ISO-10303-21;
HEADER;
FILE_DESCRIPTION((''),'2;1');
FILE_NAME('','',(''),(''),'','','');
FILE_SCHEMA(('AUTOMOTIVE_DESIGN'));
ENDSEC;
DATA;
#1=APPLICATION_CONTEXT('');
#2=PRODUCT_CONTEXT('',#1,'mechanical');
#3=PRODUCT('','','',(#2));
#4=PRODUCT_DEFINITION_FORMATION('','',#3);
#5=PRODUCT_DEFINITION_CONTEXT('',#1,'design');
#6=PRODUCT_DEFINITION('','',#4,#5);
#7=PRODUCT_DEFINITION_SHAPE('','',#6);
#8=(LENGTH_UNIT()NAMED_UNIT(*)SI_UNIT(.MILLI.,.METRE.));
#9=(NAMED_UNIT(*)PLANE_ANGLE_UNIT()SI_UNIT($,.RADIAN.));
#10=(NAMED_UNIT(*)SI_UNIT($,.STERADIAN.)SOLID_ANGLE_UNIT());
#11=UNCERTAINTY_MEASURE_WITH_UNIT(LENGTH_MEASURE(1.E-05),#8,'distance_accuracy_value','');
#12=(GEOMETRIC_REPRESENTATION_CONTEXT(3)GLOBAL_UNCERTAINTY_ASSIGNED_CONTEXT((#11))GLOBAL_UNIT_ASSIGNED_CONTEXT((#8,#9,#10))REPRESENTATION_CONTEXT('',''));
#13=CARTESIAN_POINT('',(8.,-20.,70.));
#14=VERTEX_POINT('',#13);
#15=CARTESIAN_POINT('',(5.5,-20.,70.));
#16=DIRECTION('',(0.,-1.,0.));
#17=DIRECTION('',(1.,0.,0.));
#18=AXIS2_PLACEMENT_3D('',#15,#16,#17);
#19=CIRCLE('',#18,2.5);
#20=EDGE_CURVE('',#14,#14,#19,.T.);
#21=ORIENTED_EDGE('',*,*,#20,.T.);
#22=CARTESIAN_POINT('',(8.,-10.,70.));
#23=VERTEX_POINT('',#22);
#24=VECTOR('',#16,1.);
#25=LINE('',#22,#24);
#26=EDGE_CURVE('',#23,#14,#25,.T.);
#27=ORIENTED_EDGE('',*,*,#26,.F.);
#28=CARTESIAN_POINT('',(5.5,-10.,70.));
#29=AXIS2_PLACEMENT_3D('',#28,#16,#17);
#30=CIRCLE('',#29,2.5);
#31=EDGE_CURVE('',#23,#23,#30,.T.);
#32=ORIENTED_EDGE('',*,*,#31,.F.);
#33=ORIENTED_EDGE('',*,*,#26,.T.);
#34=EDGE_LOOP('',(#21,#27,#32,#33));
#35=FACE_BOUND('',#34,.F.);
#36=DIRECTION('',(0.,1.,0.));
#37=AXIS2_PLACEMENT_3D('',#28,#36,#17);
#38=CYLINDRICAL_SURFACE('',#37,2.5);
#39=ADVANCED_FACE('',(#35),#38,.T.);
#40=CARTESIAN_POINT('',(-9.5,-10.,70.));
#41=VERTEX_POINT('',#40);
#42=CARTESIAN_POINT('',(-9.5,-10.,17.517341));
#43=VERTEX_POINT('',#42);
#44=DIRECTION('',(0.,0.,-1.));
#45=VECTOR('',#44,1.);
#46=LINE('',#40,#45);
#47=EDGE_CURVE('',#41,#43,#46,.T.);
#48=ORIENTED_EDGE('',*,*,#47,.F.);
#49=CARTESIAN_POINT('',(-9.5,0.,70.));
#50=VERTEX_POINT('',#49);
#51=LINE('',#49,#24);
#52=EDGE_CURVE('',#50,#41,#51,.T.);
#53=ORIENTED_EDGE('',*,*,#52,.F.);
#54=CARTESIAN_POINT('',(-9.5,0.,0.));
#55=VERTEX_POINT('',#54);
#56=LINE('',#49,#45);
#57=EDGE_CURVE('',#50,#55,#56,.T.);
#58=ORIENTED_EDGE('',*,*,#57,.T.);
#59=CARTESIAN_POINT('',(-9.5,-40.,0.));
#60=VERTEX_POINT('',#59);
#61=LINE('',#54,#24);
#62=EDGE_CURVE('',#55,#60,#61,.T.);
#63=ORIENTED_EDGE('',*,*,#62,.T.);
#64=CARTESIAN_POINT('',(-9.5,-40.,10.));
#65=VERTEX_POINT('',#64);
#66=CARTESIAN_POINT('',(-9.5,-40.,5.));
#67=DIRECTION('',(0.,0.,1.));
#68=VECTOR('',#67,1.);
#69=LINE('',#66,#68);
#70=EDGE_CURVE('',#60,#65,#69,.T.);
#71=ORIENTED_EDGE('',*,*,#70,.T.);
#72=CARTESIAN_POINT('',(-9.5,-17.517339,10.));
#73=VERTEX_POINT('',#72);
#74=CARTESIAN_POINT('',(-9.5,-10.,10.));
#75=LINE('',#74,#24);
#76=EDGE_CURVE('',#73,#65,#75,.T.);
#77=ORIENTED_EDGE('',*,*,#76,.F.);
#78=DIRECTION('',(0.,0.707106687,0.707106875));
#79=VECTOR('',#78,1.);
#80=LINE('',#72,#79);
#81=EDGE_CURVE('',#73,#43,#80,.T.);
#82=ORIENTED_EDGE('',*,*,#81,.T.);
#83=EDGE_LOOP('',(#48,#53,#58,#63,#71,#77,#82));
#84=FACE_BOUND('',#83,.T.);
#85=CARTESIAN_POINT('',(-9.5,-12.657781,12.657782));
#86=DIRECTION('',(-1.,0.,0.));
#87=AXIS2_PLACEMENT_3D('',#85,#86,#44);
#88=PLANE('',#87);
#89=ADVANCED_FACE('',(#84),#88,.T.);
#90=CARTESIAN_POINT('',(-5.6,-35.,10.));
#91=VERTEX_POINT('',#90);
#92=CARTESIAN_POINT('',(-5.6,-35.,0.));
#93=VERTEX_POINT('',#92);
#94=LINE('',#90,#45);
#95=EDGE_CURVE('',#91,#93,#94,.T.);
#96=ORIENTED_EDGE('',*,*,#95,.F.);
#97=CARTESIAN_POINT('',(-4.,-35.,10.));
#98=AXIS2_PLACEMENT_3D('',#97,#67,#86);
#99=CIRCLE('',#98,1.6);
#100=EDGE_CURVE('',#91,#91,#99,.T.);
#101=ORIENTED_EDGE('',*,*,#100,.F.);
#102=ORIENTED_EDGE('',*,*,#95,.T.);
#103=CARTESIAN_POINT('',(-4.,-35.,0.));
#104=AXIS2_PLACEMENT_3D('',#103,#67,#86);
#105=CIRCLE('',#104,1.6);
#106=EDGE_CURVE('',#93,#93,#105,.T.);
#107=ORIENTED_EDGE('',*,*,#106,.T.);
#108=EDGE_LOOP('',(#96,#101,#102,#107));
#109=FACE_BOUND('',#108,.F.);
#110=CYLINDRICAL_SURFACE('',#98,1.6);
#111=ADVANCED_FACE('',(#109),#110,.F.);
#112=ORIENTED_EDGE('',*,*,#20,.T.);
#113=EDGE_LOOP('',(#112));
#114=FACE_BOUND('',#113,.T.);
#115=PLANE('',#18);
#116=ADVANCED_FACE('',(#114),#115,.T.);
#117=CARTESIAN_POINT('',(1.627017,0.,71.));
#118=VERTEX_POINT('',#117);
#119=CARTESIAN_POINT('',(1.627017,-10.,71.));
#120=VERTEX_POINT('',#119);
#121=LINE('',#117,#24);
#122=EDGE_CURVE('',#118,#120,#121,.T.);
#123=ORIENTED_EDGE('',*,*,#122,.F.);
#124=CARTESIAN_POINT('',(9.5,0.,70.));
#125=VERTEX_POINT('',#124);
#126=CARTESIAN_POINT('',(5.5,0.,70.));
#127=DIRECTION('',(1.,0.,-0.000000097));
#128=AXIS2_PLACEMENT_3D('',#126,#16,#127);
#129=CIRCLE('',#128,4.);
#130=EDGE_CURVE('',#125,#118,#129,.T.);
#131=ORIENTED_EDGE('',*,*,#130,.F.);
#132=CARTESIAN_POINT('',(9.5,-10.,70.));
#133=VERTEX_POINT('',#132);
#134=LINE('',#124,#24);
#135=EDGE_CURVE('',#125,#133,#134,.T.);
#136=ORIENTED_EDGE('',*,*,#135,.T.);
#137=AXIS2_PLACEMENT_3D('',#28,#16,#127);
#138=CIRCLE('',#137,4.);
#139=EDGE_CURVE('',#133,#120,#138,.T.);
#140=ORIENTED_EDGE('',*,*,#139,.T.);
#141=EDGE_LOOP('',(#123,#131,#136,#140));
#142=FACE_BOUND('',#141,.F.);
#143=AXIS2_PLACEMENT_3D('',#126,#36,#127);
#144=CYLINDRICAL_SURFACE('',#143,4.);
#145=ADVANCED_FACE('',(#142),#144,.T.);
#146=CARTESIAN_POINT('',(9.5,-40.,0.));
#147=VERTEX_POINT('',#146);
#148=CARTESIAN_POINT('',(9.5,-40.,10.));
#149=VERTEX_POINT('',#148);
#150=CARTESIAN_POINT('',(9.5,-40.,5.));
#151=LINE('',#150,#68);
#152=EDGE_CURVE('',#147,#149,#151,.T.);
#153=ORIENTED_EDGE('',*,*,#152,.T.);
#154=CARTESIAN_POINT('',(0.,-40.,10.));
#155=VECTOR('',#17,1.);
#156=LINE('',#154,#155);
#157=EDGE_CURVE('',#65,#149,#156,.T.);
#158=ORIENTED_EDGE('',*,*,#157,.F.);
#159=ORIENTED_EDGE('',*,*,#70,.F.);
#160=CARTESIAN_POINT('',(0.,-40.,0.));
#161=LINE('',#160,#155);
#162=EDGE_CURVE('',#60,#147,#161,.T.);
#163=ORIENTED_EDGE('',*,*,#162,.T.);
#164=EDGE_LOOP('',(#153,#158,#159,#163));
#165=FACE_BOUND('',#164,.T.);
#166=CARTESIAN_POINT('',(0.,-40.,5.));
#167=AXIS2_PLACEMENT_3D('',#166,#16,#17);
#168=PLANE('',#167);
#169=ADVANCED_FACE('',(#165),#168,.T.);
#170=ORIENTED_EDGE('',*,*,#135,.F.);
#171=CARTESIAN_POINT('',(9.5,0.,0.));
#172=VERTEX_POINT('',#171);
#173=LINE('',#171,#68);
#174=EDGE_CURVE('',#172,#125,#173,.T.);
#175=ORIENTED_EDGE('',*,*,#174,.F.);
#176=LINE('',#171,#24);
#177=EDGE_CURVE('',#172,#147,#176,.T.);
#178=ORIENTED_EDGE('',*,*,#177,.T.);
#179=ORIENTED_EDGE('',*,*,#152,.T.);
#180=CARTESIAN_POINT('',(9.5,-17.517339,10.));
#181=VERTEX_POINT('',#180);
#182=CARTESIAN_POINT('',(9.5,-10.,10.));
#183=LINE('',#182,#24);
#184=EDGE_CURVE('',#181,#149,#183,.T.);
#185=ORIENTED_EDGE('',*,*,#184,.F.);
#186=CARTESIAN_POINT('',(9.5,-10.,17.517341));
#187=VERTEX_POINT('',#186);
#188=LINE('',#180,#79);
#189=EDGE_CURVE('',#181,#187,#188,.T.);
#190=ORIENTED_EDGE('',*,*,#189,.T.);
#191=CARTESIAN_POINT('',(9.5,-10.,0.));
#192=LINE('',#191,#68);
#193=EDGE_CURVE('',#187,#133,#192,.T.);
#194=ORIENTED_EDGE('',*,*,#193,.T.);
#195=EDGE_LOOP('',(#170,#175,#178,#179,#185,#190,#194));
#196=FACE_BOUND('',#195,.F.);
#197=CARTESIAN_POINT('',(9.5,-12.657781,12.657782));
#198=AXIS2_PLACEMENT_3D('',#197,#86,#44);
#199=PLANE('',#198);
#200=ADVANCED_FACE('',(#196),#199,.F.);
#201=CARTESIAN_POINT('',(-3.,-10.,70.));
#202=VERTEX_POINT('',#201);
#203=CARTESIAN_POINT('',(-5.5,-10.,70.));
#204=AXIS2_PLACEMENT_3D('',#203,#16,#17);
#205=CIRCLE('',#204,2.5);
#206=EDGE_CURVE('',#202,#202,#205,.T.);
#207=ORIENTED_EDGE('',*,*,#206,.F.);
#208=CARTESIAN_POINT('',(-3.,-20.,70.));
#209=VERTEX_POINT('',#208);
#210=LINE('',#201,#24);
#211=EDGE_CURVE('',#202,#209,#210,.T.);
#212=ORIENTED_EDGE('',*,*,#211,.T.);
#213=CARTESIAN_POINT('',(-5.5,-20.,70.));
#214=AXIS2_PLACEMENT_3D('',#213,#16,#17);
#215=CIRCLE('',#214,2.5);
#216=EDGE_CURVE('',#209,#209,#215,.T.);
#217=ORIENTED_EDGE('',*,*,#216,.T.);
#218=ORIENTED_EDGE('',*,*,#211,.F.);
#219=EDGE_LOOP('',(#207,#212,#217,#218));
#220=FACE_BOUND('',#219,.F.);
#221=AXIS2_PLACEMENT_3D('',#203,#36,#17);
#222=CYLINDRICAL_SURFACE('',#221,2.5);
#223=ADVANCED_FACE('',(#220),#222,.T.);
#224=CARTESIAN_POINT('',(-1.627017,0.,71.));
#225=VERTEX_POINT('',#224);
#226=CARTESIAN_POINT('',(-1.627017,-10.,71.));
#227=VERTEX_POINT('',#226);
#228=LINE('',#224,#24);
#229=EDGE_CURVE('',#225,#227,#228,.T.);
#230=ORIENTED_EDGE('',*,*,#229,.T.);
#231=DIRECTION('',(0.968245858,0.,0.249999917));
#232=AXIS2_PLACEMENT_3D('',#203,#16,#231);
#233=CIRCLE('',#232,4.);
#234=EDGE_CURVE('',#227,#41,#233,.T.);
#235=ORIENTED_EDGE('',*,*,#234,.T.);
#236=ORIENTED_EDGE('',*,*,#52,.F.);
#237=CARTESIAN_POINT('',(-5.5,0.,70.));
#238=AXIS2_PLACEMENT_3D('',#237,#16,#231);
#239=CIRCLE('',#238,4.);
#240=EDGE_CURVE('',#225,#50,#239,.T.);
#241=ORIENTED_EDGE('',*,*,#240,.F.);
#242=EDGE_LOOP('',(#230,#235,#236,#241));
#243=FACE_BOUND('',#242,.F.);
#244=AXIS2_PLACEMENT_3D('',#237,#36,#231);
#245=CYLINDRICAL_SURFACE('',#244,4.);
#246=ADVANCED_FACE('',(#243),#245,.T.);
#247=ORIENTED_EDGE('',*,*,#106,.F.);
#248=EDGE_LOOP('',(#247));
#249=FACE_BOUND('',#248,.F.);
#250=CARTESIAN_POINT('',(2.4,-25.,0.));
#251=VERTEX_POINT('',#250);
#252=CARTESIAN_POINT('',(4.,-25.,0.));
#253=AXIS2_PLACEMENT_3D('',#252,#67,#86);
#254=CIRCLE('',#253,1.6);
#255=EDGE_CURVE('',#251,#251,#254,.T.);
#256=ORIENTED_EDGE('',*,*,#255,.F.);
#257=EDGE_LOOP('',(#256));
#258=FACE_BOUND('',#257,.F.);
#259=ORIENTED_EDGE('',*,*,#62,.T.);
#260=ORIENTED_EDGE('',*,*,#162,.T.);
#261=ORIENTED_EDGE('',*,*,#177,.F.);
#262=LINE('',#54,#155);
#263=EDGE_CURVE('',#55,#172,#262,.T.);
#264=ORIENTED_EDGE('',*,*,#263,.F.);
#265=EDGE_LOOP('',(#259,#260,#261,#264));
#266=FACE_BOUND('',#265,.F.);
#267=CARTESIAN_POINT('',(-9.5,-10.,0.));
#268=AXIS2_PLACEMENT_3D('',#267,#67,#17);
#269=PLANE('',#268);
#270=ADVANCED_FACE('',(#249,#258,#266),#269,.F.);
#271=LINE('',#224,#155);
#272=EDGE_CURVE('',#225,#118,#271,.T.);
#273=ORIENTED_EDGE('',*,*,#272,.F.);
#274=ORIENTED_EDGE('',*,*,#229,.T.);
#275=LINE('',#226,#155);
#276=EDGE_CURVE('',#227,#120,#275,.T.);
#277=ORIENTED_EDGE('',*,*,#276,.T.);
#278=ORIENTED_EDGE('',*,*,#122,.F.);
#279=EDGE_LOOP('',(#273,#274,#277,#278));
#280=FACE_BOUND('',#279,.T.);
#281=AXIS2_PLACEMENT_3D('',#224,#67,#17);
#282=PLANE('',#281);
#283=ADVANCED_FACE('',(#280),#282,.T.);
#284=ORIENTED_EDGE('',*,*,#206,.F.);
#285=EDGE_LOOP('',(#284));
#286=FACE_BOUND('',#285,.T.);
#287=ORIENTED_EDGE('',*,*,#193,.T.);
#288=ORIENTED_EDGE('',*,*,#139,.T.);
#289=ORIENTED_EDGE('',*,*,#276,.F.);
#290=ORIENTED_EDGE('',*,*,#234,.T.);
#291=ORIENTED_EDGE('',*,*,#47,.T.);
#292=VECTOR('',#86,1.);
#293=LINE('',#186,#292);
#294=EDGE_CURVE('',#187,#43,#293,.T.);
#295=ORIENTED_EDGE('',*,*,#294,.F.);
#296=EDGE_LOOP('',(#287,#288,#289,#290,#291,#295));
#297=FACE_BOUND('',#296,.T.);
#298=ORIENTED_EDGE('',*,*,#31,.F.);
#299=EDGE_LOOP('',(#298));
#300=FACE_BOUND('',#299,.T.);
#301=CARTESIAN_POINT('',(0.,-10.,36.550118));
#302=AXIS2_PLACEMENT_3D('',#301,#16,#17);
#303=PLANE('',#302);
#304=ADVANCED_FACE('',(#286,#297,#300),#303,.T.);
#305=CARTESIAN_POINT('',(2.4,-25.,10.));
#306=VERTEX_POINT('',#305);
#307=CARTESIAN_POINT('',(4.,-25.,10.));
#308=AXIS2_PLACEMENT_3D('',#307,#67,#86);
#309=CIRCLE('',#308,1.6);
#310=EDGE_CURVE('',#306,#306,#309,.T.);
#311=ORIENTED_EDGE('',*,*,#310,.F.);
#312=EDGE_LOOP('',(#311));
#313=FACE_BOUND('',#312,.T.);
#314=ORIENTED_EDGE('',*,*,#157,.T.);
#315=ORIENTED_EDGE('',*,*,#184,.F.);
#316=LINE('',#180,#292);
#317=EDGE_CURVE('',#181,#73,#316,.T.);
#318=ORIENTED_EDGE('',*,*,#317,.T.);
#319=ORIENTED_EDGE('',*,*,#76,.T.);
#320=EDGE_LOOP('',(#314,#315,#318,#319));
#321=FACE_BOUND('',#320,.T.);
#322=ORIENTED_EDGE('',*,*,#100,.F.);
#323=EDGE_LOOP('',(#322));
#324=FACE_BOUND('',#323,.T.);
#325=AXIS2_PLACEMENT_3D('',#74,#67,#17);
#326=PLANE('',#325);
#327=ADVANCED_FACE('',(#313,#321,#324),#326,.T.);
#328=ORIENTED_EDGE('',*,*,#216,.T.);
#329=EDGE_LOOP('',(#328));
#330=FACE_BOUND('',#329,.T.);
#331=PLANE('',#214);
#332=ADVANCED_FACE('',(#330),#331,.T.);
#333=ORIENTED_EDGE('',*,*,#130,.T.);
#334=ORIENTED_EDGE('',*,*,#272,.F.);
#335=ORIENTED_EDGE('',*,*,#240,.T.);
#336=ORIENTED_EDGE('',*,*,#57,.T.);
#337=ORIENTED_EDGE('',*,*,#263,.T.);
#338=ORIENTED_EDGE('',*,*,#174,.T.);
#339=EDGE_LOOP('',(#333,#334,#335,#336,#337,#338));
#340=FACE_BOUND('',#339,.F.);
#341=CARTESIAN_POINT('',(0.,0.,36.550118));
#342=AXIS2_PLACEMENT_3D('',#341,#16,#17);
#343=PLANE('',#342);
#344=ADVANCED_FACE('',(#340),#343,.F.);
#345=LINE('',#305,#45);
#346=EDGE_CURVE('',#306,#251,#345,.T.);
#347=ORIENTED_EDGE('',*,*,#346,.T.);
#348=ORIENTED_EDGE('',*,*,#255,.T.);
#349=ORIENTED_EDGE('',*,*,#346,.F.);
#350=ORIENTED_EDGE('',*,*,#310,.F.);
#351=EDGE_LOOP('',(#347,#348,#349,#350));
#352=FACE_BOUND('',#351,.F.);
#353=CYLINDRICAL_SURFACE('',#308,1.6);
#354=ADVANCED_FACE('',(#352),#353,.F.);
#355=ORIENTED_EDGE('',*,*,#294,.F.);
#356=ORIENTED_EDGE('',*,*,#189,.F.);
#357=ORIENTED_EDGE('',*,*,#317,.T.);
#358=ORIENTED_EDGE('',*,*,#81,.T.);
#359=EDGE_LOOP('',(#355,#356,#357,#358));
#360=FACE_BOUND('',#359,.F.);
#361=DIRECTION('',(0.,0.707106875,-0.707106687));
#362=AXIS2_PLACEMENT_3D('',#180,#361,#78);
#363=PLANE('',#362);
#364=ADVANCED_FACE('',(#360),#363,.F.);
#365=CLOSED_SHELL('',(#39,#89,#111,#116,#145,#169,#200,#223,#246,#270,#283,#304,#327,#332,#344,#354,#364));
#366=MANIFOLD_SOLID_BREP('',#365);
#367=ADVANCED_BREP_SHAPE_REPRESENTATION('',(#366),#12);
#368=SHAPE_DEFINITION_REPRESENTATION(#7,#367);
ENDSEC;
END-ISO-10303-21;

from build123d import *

# Parameters (mm, degrees)
PAD003_DEPTH    = 10
SKETCH012_W     = 19
SKETCH012_H     = 10
PAD004_DEPTH    = 30
SKETCH013_R     = 1.6
POCKET006_DEPTH = 10.001
PAD005_DEPTH    = 19
SKETCH015_R     = 2.5
PAD006_DEPTH    = 10


with BuildPart() as part:
    # Sketch010 → Pad003 (new body)
    with BuildSketch(Plane.XZ):
        with BuildLine():
            Line((9.5, 0), (9.5, 70))
            ThreePointArc((9.5, 70), (6.004017, 73.968119), (1.627017, 71))
            Line((-1.627017, 71), (1.627017, 71))
            ThreePointArc((-1.627017, 71), (-6.004017, 73.968119), (-9.5, 70))
            Line((-9.5, 70), (-9.5, 0))
            Line((-9.5, 0), (9.5, 0))
        make_face()
    extrude(amount=PAD003_DEPTH)

    # Sketch012 (on Face8 of Pad003) → Pad004 (join)
    with BuildSketch(Plane.XZ.offset(10)):
        with Locations((0, 5)):
            Rectangle(SKETCH012_W, SKETCH012_H)
    extrude(amount=PAD004_DEPTH)

    # Sketch013 (on Face6 of Pad004) → Pocket006 (cut, through all)
    with BuildSketch(Plane(origin=(0, 0, 10), x_dir=(-1, 0, 0), z_dir=(0, 0, 1))):
        with Locations((-4, 25)):
            Circle(SKETCH013_R)
        with Locations((4, 35)):
            Circle(SKETCH013_R)
    extrude(amount=-POCKET006_DEPTH, mode=Mode.SUBTRACT)

    # Sketch014 (on Face10 of Pocket006) → Pad005 (join)
    with BuildSketch(Plane(origin=(9.5, 0, 0), x_dir=(0, 0, 1), z_dir=(1, 0, 0))):
        Polygon((10, 17.517339), (17.517341, 10), (10, 10), align=None)
    extrude(amount=-PAD005_DEPTH)

    # Sketch015 (on Face4 of Pad005) → Pad006 (join)
    with BuildSketch(Plane.XZ.offset(10)):
        with Locations((-5.5, 70)):
            Circle(SKETCH015_R)
        with Locations((5.5, 70)):
            Circle(SKETCH015_R)
    extrude(amount=PAD006_DEPTH)


solid = part.part
